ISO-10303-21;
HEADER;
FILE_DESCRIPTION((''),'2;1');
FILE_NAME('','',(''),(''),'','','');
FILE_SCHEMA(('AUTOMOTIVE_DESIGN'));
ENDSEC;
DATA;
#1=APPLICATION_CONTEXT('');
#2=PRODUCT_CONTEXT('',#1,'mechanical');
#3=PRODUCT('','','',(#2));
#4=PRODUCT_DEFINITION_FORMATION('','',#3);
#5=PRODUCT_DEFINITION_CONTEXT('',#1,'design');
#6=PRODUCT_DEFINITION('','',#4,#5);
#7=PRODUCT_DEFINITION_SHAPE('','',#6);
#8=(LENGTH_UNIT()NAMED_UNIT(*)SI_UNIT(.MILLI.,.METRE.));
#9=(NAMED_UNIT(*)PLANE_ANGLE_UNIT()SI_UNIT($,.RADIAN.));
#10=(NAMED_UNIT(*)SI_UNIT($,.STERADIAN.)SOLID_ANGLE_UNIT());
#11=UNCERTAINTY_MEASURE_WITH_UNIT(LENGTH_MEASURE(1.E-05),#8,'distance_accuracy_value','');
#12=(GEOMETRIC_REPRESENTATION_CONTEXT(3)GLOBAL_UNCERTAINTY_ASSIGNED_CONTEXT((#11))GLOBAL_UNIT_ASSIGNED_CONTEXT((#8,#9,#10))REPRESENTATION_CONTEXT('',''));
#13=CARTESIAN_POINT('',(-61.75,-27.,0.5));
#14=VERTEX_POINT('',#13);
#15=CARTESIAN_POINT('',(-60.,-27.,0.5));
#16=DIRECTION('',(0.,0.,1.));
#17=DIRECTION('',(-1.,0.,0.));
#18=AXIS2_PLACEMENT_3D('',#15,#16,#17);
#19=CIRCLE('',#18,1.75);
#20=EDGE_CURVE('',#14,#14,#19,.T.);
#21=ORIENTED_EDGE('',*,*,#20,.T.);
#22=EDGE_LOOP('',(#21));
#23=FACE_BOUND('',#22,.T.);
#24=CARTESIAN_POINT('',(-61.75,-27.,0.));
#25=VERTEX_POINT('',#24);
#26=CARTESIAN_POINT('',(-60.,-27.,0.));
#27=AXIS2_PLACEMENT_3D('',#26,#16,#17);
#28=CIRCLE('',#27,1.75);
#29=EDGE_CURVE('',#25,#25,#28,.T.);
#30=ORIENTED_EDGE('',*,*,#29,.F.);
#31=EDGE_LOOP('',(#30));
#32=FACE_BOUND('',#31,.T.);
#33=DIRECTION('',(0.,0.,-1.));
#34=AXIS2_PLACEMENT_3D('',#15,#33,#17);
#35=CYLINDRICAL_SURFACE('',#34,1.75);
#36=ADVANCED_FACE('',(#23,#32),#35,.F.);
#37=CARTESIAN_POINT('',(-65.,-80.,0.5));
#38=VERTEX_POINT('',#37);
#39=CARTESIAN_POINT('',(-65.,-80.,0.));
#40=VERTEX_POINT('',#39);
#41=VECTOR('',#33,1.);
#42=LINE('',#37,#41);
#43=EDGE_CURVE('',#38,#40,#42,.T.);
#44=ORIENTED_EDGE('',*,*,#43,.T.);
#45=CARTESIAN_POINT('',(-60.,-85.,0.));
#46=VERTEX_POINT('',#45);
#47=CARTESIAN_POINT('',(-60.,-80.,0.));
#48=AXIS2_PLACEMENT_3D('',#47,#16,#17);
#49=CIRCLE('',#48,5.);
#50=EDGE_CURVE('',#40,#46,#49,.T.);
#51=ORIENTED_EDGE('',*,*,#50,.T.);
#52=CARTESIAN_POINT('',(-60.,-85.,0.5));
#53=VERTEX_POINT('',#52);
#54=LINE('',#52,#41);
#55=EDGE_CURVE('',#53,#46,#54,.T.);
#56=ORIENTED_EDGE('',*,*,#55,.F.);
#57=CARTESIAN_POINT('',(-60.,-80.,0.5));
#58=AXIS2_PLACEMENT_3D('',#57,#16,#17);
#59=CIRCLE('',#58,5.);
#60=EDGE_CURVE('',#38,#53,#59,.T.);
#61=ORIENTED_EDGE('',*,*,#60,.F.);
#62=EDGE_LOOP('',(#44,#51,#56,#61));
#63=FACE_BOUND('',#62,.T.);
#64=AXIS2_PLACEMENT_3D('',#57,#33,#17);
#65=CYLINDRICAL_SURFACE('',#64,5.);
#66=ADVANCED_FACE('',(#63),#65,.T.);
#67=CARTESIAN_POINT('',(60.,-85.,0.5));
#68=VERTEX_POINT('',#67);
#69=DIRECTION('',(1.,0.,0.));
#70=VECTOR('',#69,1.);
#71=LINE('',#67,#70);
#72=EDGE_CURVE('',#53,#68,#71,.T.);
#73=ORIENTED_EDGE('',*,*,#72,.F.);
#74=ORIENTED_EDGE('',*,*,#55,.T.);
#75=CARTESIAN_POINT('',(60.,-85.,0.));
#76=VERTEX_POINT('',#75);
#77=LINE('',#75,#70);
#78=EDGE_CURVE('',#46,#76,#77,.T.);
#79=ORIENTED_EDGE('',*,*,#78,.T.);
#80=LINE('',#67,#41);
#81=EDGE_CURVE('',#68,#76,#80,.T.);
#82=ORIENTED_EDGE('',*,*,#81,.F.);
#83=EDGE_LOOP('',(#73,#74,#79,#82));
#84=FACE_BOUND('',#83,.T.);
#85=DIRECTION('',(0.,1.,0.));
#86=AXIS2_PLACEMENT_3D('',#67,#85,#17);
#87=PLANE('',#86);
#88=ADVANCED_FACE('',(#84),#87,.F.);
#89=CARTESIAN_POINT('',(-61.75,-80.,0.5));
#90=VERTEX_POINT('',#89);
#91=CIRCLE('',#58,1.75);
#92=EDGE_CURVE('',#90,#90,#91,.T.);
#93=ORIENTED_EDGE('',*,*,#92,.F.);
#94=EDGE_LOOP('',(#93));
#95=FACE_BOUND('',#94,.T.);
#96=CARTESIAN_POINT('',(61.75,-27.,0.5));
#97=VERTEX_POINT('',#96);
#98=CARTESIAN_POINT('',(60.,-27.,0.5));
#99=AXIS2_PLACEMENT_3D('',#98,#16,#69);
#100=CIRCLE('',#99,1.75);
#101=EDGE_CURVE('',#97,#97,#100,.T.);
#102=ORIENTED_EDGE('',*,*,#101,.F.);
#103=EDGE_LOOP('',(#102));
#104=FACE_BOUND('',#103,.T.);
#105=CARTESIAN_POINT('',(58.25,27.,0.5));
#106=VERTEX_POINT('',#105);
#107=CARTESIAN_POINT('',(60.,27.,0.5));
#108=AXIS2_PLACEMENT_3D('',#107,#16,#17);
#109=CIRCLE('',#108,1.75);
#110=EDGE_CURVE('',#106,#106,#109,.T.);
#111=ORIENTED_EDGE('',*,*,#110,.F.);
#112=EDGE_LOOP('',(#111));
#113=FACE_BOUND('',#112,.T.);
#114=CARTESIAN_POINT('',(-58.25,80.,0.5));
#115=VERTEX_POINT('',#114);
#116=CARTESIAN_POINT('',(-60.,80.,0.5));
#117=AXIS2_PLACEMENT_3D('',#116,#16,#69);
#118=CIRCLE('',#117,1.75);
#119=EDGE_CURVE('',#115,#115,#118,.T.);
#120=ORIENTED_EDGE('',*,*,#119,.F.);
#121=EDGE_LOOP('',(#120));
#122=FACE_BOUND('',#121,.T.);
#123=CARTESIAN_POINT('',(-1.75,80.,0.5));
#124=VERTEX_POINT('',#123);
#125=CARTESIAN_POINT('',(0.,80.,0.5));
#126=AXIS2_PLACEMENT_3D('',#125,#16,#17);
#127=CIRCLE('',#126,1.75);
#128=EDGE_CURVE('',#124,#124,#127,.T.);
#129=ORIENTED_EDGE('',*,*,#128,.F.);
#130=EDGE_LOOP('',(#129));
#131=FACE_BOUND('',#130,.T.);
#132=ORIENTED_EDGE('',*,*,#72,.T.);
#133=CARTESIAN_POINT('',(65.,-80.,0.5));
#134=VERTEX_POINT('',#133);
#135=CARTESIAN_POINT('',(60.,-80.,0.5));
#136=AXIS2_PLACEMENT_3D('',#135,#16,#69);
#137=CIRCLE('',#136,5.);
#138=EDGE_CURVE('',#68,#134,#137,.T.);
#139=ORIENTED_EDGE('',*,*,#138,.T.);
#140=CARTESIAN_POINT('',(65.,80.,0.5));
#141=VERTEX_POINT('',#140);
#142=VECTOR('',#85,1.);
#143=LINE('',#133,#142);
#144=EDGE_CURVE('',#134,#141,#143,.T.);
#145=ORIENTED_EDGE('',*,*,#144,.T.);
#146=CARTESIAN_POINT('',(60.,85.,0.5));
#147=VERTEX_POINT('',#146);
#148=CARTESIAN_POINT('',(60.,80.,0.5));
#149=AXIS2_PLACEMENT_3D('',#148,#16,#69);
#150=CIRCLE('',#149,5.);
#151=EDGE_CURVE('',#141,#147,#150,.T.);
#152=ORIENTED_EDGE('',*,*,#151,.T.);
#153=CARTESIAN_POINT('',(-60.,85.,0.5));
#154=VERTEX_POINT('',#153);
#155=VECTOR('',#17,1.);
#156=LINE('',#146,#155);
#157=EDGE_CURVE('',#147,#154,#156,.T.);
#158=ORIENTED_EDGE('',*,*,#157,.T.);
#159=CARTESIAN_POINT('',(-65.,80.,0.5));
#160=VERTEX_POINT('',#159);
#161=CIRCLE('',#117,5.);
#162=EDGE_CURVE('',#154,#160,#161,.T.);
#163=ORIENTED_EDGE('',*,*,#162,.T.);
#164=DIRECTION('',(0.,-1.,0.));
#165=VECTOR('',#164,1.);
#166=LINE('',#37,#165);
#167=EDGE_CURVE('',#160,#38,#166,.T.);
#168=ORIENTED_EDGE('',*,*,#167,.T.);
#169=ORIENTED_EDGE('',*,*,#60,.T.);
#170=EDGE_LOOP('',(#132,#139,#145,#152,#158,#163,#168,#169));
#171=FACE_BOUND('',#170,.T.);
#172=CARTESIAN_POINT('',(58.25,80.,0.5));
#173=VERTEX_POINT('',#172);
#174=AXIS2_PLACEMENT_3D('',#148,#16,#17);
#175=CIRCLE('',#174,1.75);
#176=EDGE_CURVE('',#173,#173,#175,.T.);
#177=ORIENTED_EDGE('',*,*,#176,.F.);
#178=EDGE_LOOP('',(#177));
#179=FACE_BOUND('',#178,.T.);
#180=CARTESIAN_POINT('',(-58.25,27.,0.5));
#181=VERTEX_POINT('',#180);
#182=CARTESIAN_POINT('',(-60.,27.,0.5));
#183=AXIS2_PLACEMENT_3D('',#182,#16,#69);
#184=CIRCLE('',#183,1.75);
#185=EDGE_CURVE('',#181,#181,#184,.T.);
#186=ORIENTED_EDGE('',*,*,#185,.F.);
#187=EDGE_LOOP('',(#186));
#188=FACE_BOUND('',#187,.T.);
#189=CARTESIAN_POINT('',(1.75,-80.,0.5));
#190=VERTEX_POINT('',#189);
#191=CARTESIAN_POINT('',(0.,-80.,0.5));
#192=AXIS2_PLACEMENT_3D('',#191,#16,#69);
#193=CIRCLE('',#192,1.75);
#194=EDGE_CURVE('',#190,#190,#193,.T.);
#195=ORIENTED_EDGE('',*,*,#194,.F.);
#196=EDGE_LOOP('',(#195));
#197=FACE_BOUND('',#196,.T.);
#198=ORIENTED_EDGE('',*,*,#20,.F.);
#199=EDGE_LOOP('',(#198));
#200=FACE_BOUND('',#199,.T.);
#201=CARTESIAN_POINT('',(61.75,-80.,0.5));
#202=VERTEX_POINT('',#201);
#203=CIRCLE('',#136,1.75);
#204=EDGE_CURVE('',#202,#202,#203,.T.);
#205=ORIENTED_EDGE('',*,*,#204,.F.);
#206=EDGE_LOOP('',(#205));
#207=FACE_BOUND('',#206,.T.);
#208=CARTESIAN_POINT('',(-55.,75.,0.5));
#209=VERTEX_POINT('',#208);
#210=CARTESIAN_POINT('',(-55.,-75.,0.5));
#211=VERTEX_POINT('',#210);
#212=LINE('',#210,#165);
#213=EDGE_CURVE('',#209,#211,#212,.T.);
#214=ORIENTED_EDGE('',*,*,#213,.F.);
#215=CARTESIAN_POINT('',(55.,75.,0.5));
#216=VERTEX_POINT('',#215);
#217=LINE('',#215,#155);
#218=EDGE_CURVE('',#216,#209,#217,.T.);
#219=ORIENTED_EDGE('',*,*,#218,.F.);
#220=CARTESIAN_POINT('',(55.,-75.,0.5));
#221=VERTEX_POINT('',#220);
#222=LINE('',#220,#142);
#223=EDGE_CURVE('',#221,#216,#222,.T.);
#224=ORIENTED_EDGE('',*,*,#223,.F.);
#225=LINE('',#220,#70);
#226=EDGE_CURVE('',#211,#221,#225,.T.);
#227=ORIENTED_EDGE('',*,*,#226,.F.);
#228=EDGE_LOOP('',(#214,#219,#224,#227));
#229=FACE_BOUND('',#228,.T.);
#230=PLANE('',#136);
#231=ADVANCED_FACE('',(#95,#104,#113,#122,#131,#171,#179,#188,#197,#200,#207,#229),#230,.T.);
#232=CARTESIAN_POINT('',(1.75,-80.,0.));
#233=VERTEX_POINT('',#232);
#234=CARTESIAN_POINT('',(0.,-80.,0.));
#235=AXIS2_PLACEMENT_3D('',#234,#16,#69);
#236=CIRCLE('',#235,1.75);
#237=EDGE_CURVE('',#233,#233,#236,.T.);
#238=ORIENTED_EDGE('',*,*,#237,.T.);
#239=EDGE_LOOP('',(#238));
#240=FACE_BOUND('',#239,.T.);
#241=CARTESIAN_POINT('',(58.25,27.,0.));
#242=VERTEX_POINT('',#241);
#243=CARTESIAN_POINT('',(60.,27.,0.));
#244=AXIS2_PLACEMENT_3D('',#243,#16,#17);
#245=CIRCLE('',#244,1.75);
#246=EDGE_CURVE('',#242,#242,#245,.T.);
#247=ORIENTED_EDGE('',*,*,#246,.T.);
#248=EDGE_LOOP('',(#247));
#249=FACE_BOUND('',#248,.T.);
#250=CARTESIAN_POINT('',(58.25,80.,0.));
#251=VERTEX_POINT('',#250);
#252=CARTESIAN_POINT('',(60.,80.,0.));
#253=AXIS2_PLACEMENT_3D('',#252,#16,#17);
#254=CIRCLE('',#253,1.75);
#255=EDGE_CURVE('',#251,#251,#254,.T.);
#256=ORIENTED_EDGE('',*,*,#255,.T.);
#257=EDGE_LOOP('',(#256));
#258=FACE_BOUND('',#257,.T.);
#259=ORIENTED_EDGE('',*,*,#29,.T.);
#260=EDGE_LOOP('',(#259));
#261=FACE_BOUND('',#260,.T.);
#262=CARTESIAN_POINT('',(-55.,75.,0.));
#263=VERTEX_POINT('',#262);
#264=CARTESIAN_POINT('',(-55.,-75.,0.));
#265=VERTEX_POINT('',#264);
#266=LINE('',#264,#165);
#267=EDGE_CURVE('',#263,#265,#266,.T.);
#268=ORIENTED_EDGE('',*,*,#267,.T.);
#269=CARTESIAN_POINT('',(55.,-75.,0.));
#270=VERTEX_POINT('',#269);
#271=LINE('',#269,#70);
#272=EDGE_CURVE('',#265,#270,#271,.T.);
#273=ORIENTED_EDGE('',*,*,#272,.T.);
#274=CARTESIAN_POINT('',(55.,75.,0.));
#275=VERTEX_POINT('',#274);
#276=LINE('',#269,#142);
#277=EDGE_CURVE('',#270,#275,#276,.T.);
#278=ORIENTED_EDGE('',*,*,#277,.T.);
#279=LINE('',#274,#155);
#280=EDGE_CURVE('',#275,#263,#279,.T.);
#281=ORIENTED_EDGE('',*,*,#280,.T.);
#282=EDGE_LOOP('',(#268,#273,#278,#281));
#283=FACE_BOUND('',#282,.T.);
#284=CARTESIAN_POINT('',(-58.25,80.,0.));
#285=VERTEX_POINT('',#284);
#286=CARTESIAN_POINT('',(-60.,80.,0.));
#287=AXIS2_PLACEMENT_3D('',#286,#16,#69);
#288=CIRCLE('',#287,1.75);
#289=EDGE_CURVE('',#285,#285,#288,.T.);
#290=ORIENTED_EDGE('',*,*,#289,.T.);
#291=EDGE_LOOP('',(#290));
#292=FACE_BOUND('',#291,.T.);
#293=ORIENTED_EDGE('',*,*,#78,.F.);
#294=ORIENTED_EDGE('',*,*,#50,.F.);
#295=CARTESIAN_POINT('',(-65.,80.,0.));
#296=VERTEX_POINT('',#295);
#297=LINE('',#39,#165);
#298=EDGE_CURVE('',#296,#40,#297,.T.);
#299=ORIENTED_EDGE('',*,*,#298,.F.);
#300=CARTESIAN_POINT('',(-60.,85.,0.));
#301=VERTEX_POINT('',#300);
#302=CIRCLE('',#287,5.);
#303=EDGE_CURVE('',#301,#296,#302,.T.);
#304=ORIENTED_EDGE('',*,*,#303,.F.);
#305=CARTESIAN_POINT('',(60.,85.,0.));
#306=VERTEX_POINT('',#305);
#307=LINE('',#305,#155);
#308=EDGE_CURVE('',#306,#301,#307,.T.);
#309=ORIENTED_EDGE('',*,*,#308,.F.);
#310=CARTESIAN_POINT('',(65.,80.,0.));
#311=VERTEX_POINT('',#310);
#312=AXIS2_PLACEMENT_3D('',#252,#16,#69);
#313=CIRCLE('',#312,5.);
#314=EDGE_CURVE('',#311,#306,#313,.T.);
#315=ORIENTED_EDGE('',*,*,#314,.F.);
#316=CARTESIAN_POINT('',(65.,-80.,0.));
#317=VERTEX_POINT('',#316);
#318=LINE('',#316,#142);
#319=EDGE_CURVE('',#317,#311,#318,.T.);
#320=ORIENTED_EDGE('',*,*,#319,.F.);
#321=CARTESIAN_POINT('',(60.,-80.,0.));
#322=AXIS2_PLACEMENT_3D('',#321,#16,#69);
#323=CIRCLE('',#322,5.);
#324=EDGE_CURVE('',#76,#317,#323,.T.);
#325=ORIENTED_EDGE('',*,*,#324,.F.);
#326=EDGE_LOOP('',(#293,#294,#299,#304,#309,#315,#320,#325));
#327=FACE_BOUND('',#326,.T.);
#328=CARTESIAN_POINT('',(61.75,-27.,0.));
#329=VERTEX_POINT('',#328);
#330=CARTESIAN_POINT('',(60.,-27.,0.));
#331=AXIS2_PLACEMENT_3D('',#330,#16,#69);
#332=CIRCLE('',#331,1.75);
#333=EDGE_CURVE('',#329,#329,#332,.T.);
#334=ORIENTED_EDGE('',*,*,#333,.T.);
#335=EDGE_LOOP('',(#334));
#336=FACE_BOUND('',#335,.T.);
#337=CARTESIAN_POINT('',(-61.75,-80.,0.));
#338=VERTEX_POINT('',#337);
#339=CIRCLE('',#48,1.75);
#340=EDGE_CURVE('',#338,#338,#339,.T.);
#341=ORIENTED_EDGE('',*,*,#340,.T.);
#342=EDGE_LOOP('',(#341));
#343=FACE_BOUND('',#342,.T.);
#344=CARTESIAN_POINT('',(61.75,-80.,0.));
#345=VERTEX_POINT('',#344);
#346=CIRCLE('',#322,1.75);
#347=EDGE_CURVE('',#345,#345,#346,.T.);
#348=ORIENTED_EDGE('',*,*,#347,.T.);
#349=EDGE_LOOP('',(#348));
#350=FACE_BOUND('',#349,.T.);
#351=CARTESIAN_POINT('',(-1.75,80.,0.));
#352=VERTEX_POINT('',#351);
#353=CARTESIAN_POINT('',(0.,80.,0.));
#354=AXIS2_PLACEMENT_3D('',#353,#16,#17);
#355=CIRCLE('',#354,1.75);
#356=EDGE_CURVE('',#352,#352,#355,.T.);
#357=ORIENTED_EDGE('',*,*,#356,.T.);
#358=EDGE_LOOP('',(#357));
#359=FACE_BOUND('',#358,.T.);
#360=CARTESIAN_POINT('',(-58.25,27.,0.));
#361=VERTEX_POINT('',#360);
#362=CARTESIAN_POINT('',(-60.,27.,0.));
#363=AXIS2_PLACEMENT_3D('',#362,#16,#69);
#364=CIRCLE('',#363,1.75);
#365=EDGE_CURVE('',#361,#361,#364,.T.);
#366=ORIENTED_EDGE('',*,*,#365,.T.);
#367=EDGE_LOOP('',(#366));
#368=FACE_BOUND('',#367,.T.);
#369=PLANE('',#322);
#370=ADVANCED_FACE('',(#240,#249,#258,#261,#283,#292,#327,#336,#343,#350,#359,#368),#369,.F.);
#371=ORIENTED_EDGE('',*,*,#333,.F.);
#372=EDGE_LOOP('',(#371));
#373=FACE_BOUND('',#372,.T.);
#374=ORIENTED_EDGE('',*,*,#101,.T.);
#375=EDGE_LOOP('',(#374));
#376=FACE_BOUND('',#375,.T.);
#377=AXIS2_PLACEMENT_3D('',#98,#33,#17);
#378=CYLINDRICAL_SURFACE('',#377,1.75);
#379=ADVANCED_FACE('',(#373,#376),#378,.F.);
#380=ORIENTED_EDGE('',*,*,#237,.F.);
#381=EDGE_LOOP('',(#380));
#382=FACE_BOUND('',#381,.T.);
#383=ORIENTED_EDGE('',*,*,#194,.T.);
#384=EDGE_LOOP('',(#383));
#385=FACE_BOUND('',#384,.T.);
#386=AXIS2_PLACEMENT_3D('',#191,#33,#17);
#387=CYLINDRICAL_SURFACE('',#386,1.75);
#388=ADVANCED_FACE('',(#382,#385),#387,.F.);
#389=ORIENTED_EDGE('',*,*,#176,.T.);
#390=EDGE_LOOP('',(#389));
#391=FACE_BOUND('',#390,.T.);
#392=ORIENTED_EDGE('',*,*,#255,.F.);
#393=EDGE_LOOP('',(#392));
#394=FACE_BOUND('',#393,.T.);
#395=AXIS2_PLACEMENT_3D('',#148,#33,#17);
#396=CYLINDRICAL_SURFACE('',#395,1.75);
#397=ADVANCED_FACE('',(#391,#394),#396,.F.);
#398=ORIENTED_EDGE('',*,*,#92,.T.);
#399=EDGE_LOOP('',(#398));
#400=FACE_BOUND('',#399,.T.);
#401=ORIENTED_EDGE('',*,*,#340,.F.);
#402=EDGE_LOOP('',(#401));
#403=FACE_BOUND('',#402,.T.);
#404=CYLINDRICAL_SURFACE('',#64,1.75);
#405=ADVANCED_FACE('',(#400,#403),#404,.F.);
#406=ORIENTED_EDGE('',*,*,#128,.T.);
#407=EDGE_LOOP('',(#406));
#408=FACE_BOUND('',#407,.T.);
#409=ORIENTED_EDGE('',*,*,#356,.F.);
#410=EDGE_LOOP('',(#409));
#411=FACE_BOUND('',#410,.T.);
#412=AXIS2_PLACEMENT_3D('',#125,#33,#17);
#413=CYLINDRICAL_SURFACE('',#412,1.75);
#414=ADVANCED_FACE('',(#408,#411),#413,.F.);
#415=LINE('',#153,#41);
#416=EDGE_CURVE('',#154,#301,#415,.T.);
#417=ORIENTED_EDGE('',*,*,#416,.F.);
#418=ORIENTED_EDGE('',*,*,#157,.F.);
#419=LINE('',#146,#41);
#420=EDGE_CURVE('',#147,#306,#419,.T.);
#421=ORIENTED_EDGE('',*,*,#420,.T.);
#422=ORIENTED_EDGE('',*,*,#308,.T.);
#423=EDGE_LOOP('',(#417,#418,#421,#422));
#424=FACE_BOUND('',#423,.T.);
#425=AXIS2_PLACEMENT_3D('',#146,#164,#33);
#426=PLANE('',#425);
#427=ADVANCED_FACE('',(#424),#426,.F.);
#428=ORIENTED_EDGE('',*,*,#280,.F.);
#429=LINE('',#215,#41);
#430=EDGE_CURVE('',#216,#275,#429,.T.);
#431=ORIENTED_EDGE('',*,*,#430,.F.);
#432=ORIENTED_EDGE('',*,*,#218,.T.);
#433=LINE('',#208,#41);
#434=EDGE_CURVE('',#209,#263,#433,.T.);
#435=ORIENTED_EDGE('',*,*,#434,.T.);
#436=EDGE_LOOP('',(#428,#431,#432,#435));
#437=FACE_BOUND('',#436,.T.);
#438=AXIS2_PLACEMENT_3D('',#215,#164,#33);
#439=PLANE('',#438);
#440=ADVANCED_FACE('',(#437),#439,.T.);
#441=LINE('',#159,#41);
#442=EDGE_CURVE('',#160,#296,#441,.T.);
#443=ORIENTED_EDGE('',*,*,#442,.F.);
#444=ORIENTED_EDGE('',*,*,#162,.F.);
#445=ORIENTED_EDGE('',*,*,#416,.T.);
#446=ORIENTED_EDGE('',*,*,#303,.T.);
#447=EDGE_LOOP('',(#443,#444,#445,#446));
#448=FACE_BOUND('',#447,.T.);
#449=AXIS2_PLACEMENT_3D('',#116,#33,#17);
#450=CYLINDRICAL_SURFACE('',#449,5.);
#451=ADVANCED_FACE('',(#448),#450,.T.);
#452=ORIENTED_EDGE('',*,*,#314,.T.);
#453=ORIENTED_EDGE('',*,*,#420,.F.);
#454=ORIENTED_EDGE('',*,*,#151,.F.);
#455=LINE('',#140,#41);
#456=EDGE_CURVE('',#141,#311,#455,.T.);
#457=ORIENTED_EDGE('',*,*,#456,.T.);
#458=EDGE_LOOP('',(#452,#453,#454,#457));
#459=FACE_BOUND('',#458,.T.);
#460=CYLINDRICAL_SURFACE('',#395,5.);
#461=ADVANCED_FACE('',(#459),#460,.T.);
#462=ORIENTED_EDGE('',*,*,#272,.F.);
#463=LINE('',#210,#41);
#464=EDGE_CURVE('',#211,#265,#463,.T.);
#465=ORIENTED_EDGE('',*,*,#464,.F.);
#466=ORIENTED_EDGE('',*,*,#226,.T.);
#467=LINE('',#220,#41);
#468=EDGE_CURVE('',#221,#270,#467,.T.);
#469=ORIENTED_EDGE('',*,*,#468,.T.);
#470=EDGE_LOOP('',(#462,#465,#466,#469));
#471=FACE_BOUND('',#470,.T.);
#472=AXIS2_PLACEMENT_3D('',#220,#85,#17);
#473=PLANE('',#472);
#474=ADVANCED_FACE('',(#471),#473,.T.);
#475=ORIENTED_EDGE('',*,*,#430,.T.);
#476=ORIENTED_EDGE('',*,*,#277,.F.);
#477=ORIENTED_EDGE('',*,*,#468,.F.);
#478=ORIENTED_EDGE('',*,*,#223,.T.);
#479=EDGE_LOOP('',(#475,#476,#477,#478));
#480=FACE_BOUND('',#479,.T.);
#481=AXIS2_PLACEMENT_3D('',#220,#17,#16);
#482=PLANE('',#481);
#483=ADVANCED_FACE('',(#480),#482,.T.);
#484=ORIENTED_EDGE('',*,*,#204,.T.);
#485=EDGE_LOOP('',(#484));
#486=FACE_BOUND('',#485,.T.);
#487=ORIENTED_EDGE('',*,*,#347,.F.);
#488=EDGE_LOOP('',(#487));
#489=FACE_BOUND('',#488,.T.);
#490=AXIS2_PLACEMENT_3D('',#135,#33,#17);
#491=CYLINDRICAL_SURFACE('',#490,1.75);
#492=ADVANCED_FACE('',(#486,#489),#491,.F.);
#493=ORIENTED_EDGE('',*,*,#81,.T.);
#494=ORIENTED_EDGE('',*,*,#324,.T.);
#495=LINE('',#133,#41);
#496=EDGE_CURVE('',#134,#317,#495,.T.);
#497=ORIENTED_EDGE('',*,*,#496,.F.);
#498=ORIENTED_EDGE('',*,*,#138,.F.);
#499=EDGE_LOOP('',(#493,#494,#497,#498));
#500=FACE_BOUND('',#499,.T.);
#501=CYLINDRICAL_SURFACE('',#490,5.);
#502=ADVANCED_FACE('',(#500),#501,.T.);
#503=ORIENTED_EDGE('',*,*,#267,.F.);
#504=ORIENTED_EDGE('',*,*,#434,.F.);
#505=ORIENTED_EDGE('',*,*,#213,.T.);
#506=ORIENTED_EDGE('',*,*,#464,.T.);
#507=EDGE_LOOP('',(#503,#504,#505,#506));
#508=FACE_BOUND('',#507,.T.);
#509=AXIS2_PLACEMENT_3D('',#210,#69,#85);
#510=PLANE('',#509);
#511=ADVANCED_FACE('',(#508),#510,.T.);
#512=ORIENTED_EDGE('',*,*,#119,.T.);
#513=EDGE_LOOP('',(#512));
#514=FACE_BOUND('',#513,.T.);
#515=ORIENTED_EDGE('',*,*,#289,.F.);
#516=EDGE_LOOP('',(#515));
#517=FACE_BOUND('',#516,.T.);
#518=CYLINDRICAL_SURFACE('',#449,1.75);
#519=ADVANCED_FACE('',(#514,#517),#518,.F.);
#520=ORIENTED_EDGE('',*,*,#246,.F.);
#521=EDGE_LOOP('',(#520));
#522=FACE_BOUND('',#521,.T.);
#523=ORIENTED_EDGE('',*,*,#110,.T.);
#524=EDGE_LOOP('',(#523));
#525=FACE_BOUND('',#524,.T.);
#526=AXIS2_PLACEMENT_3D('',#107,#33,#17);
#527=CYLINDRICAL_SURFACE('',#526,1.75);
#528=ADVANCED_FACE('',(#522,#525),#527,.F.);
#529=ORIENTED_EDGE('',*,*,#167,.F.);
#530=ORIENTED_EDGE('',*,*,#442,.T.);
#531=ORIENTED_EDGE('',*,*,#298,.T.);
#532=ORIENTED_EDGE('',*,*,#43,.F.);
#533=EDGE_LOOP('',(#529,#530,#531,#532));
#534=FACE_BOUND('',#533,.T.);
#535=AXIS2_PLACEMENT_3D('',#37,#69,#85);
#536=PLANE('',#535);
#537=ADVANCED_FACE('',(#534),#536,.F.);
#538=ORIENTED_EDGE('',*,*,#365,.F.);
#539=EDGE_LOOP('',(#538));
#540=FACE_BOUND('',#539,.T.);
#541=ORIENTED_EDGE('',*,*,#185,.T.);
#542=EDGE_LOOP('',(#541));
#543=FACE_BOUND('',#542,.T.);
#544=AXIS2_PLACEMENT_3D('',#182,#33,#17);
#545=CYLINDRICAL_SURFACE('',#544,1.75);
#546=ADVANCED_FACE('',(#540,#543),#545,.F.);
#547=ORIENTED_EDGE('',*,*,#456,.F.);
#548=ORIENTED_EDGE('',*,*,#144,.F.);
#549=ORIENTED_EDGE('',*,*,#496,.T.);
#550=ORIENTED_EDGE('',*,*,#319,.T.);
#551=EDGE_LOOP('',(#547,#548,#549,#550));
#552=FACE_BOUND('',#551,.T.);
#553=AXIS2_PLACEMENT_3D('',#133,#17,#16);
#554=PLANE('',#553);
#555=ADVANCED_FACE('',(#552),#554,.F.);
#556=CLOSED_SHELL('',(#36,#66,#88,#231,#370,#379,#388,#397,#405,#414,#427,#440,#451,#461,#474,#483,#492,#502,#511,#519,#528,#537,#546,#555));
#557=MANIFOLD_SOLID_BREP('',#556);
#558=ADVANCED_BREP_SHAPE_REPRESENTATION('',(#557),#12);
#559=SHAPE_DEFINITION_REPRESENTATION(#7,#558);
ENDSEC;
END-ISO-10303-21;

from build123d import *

# Parameters (mm, degrees)
SKETCH1_R           = 1.75
SKETCH1_W           = 110
SKETCH1_H           = 150
BOSS_EXTRUDE1_DEPTH = 0.5


with BuildPart() as part:
    # Sketch1 → Boss-Extrude1 (new body)
    with BuildSketch(Plane.XY):
        with BuildLine():
            Line((60, -85), (-60, -85))
            ThreePointArc((-60, -85), (-63.535533906, -83.535533906), (-65, -80))
            Line((-65, -80), (-65, 80))
            ThreePointArc((-65, 80), (-63.535533906, 83.535533906), (-60, 85))
            Line((-60, 85), (60, 85))
            ThreePointArc((60, 85), (63.535533906, 83.535533906), (65, 80))
            Line((65, 80), (65, -80))
            ThreePointArc((65, -80), (63.535533906, -83.535533906), (60, -85))
        make_face()
        with Locations((60, -27)):
            Circle(SKETCH1_R, mode=Mode.SUBTRACT)
        with Locations((60, -80)):
            Circle(SKETCH1_R, mode=Mode.SUBTRACT)
        with Locations(Location((-60, -27, 0), (0, 0, 180))):
            Circle(SKETCH1_R, mode=Mode.SUBTRACT)
        with Locations(Location((-60, -80, 0), (0, 0, 180))):
            Circle(SKETCH1_R, mode=Mode.SUBTRACT)
        with Locations((0, -80)):
            Circle(SKETCH1_R, mode=Mode.SUBTRACT)
        with Locations(Location((60, 27, 0), (0, 0, 180))):
            Circle(SKETCH1_R, mode=Mode.SUBTRACT)
        with Locations(Location((60, 80, 0), (0, 0, 180))):
            Circle(SKETCH1_R, mode=Mode.SUBTRACT)
        with Locations(Location((0, 80, 0), (0, 0, 180))):
            Circle(SKETCH1_R, mode=Mode.SUBTRACT)
        with Locations((-60, 27)):
            Circle(SKETCH1_R, mode=Mode.SUBTRACT)
        with Locations((-60, 80)):
            Circle(SKETCH1_R, mode=Mode.SUBTRACT)
        Rectangle(SKETCH1_W, SKETCH1_H, mode=Mode.SUBTRACT)
    extrude(amount=BOSS_EXTRUDE1_DEPTH)


solid = part.part
